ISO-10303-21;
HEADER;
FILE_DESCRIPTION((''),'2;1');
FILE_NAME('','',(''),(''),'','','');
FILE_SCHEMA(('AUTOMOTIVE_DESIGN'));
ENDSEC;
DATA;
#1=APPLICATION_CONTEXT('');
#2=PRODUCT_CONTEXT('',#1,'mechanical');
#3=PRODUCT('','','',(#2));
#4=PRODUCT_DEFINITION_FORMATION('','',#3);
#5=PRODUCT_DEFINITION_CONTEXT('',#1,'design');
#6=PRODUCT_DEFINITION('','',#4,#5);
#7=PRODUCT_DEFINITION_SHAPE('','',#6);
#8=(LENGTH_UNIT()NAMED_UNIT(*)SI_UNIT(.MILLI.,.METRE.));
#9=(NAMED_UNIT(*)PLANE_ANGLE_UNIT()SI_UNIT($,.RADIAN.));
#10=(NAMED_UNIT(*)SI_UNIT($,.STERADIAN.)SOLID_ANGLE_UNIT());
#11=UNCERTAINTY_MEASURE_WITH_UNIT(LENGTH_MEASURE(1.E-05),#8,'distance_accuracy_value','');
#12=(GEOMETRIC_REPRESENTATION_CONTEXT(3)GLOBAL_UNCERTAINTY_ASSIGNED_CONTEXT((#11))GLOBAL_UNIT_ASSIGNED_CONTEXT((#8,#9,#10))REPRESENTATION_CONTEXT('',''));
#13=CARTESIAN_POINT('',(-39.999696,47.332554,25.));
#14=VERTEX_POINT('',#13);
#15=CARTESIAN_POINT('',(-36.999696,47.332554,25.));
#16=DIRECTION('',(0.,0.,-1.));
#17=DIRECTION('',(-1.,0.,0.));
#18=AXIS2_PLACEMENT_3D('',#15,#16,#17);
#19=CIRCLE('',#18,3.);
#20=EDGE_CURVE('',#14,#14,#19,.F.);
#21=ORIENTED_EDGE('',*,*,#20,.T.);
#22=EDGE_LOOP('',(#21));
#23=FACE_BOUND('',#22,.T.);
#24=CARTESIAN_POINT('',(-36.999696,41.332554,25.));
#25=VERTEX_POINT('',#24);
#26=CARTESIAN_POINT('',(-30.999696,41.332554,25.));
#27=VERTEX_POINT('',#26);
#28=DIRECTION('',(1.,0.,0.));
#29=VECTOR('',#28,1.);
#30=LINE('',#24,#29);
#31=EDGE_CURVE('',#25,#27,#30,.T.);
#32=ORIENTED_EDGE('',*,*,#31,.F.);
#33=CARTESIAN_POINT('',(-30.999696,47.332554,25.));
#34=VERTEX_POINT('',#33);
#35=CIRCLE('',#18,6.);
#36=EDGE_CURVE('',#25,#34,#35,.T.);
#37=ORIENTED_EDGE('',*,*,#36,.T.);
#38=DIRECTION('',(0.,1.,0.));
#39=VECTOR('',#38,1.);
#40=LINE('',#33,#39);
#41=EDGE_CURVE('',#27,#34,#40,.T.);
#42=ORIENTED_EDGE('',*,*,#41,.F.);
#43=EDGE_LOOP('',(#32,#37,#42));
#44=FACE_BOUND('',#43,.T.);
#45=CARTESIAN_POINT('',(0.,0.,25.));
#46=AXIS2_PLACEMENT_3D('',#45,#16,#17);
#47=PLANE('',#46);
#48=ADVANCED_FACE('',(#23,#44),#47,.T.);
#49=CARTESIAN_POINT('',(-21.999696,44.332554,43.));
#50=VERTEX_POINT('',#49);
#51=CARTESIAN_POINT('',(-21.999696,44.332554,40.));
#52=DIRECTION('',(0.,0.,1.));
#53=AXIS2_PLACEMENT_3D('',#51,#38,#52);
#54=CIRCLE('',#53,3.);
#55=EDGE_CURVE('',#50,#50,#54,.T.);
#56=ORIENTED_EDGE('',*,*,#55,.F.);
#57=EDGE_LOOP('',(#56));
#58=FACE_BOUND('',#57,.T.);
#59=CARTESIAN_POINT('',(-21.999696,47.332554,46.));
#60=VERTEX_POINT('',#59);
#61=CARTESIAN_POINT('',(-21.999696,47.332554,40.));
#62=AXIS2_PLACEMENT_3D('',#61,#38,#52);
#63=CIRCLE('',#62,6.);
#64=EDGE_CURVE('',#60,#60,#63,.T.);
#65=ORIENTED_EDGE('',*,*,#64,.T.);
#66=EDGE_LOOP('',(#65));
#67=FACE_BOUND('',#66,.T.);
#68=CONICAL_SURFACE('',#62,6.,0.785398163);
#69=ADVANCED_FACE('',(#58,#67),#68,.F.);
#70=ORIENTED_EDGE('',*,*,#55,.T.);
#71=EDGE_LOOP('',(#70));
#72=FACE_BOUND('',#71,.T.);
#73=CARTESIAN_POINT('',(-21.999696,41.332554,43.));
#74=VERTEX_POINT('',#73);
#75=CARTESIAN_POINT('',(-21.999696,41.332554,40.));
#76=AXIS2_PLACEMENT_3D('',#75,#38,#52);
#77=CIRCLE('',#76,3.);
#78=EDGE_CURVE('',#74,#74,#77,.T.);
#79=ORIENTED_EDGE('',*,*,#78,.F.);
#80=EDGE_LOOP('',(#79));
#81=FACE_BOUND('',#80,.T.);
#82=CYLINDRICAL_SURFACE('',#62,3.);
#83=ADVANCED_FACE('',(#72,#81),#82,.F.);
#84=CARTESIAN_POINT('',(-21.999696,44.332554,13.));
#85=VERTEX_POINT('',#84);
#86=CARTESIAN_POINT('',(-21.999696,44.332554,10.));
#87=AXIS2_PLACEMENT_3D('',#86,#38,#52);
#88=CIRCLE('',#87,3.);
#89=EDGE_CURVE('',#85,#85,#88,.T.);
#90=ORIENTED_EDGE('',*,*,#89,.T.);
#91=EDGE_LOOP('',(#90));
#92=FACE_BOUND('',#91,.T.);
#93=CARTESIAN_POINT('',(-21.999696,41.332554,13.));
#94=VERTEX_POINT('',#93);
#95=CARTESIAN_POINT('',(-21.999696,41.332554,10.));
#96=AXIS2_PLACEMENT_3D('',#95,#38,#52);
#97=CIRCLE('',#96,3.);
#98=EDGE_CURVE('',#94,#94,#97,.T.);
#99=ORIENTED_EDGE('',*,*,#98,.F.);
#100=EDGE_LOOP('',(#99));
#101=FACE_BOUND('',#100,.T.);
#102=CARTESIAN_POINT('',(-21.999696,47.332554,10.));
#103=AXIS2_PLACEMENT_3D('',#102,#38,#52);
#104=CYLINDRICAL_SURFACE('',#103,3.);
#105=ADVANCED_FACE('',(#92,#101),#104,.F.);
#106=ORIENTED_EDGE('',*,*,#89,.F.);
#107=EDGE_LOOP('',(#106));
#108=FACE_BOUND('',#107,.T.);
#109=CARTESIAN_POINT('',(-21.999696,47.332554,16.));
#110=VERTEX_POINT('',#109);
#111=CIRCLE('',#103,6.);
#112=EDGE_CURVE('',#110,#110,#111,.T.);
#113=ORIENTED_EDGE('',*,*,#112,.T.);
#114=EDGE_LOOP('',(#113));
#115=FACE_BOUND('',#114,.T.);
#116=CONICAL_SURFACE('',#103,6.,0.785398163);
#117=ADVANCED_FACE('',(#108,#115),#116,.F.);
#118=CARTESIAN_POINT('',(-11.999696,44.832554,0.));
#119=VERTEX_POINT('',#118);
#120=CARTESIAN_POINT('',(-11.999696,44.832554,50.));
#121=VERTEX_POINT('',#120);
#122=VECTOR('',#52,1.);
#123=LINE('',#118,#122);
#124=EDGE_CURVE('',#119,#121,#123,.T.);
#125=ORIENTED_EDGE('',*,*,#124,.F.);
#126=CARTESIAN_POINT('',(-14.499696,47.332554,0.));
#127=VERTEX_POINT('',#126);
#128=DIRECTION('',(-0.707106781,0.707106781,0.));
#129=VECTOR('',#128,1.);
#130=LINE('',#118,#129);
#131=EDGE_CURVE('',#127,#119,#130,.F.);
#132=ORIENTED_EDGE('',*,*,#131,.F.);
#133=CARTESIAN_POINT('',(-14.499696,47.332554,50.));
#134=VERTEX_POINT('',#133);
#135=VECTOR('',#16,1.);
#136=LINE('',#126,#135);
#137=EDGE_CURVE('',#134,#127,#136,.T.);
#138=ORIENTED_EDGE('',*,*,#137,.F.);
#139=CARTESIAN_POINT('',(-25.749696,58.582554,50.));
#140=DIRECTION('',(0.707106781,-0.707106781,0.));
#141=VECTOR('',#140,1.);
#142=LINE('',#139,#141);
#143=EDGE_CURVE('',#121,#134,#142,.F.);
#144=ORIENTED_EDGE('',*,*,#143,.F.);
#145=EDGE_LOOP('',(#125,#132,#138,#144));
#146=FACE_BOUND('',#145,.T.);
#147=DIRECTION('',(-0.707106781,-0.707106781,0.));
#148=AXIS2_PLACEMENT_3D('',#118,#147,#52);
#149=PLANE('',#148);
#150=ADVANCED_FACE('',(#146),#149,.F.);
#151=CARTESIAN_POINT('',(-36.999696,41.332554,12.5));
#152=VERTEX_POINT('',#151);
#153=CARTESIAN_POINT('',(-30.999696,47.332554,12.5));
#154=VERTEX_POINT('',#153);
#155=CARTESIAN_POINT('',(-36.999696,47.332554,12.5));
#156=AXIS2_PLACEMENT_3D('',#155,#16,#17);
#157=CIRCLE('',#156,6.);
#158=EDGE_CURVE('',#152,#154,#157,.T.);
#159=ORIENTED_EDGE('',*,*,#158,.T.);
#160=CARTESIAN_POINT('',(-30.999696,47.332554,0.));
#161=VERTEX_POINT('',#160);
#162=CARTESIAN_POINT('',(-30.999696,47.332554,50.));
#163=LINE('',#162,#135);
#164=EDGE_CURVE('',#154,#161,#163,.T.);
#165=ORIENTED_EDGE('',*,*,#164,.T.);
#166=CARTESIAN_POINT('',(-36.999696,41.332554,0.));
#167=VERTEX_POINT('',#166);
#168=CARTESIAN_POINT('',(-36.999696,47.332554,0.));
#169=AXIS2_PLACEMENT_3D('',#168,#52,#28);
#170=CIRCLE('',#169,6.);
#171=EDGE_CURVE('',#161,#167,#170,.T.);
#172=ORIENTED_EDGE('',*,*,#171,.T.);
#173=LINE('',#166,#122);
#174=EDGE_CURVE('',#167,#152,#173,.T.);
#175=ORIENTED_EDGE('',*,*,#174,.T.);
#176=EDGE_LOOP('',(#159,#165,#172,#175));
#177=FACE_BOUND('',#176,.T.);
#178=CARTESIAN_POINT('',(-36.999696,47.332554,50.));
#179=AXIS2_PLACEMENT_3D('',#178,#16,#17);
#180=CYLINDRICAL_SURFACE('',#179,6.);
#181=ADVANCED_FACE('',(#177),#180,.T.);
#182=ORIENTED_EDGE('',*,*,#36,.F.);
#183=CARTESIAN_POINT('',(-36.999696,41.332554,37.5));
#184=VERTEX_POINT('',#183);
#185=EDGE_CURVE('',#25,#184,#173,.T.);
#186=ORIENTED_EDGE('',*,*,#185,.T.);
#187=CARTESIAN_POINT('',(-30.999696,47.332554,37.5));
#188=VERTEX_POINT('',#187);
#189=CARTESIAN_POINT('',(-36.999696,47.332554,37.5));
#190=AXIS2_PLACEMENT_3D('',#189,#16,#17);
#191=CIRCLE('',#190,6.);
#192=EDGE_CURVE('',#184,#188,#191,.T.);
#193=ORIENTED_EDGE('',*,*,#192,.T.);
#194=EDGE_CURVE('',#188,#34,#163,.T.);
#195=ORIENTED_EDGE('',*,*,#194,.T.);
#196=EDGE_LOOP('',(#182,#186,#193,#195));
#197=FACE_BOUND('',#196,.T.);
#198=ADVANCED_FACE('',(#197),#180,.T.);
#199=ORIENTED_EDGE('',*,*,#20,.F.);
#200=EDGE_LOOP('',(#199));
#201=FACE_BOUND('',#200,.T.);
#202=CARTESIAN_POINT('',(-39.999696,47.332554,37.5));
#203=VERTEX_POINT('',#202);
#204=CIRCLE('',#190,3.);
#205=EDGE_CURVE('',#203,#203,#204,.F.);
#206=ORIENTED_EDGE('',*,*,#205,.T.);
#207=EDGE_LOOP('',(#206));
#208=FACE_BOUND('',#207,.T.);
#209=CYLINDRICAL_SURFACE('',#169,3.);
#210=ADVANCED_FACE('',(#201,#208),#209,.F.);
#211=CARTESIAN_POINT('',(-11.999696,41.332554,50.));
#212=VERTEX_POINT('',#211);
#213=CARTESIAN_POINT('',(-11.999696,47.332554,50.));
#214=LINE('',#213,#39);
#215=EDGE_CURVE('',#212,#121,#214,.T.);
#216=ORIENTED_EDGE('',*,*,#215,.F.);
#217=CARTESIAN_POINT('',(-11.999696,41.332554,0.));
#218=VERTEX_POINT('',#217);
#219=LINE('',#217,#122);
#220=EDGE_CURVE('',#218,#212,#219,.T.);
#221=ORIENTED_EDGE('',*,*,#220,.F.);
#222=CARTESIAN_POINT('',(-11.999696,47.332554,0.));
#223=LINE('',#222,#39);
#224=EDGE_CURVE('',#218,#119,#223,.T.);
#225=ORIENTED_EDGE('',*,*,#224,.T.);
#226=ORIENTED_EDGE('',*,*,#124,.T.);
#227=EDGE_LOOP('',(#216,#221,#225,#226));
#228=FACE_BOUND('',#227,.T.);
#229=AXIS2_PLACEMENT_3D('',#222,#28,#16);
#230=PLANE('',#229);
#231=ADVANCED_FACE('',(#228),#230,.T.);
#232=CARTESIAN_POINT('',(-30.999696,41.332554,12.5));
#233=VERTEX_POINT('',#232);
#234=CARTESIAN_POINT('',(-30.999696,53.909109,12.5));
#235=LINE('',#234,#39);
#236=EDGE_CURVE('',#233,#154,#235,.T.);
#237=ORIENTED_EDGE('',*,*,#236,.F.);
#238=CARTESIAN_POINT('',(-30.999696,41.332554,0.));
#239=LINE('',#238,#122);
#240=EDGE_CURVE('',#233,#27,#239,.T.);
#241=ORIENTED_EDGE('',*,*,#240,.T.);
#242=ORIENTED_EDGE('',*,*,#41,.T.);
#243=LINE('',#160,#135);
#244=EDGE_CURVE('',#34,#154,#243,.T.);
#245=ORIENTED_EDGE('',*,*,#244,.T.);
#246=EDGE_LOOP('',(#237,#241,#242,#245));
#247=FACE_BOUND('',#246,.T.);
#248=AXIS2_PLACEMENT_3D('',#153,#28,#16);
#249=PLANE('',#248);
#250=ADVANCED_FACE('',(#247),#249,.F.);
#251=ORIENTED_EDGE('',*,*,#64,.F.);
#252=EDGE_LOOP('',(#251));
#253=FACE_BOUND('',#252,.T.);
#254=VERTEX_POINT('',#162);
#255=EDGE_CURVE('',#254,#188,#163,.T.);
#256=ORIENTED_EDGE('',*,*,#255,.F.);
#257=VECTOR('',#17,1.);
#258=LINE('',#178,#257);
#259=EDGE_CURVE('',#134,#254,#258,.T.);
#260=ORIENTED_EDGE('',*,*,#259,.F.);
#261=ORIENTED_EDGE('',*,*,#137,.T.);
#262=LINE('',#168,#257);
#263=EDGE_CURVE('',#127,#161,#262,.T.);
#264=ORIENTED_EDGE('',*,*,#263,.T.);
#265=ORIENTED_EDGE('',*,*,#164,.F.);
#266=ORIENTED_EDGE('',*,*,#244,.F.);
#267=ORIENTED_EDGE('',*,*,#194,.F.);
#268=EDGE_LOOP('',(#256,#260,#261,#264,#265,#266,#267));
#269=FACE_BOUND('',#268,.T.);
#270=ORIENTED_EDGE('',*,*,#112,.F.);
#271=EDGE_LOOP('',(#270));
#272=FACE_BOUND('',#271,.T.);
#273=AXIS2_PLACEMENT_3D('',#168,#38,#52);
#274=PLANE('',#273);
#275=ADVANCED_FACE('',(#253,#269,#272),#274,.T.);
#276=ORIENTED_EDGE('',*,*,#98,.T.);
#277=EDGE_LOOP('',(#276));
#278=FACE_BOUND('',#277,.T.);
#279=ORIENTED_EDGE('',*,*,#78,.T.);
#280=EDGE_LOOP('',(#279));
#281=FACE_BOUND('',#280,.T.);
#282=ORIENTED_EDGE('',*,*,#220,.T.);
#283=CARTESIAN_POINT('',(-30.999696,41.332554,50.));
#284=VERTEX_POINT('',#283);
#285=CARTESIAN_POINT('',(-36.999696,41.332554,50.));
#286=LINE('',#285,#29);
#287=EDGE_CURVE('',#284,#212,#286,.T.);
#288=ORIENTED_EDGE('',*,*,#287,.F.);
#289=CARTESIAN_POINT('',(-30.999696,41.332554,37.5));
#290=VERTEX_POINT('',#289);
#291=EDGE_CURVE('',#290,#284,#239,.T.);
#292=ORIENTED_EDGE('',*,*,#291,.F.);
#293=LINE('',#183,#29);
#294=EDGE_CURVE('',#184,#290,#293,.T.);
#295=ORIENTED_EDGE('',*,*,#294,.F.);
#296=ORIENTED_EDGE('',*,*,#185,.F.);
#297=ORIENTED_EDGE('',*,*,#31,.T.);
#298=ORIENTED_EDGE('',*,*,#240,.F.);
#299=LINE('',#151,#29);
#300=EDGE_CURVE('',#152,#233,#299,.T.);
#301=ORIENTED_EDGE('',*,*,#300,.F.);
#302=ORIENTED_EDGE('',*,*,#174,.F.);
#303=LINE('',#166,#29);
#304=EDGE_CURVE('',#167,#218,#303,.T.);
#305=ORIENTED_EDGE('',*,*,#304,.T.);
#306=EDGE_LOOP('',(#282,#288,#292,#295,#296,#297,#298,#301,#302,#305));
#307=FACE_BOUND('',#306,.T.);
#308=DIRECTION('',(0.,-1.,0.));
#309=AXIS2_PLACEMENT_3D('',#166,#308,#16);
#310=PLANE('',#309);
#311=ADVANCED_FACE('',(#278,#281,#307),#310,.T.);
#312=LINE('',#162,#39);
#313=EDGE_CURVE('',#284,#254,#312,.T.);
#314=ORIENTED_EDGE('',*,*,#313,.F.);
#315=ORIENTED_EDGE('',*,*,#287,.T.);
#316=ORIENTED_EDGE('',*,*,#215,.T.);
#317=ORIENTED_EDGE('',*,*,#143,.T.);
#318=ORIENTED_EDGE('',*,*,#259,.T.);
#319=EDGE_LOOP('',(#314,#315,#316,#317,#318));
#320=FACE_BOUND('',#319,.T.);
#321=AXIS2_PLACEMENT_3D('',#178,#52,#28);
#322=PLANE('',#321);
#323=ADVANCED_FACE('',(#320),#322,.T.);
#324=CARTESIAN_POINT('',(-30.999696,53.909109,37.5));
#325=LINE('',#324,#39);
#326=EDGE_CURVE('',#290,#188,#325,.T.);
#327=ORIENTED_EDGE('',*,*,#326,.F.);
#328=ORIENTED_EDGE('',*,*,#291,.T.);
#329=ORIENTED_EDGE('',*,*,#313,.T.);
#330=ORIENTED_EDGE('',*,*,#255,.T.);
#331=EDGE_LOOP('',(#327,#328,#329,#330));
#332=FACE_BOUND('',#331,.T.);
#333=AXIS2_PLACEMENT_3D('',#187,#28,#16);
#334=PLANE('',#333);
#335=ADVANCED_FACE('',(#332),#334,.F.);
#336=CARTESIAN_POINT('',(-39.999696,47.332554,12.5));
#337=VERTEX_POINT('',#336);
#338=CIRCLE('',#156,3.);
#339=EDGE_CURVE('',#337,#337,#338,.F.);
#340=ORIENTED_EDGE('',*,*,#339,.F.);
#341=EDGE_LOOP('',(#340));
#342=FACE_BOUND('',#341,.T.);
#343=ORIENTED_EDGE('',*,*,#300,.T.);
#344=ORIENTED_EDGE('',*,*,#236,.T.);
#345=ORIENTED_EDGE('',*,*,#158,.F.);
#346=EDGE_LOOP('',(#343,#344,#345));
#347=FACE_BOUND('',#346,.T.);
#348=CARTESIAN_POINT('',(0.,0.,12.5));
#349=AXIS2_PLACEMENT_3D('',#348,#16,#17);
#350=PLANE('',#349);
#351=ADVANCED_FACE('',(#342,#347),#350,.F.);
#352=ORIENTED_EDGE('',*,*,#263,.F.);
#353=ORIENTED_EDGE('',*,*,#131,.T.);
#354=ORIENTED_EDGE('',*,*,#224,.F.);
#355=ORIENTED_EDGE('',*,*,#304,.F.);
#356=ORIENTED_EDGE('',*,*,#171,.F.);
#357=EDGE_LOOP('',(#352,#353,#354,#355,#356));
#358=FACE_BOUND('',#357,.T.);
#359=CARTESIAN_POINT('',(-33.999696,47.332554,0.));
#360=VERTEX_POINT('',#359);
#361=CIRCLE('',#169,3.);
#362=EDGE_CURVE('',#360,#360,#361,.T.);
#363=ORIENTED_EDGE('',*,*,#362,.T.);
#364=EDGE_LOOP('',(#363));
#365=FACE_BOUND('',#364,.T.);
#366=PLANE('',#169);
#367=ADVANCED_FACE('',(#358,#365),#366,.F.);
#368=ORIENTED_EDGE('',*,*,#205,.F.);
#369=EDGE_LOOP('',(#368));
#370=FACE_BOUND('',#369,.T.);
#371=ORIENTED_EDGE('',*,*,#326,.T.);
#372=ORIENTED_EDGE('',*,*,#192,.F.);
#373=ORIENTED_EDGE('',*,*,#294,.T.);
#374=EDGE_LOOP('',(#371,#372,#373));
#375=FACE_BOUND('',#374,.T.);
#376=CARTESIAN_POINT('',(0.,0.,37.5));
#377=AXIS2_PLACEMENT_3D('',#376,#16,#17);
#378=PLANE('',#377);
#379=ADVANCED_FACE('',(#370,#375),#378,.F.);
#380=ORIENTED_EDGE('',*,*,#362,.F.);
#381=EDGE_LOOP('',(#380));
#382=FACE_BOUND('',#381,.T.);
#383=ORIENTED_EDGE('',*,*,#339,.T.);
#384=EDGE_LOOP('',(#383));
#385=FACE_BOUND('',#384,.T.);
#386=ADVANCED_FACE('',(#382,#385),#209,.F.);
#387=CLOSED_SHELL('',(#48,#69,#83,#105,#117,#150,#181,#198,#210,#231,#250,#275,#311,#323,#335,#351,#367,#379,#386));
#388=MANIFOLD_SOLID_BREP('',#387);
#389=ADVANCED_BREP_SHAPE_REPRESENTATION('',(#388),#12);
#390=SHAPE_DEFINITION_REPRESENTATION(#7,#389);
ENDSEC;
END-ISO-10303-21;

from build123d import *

# Parameters (mm, degrees)
SKETCH_1_R                = 6
EXTRUDE_1_DEPTH           = 50
SKETCH_2_W                = 25
SKETCH_2_H                = 6
EXTRUDE_2_DEPTH           = 50
SKETCH_5_R                = 3
CUT_EXTRUDE_1_DEPTH       = 50
HOLE_WIZARD_1_D           = 6
HOLE_WIZARD_1_CSINK_D     = 12
HOLE_WIZARD_1_CSINK_ANGLE = 90
CUT_EXTRUDE_2_DEPTH       = 12.5
PATTERN_LINEAR_2_COUNT    = 2
PATTERN_LINEAR_2_PITCH    = 25
CHAMFER_1_SIZE            = 2.5


with BuildPart() as part:
    # 草图1 → 凸台-拉伸1 (new body)
    with BuildSketch(Plane.XY):
        with Locations((-36.999696345, 47.332553752)):
            Circle(SKETCH_1_R)
    extrude(amount=EXTRUDE_1_DEPTH)

    # 草图2 → 凸台-拉伸2 (add)
    with BuildSketch(Plane.XY.offset(50)):
        with Locations((-24.499696345, 44.332553752)):
            Rectangle(SKETCH_2_W, SKETCH_2_H)
    extrude(amount=-EXTRUDE_2_DEPTH)

    # 草图5 → 切除-拉伸1 (cut)
    with BuildSketch(Plane.XY.offset(50)):
        with Locations((-36.999696345, 47.332553752)):
            Circle(SKETCH_5_R)
    extrude(amount=-CUT_EXTRUDE_1_DEPTH, mode=Mode.SUBTRACT)

    # 打孔尺寸(%根据)内六角花形半沉头螺钉的类型1 (through all)
    with Locations(Plane(origin=(0, 47.332553752, 0), x_dir=(1, 0, 0), z_dir=(0, 1, 0))):
        with Locations((-21.999696345, -40), (-21.999696345, -10)):
            CounterSinkHole(HOLE_WIZARD_1_D / 2, HOLE_WIZARD_1_CSINK_D / 2, counter_sink_angle=HOLE_WIZARD_1_CSINK_ANGLE)

    # 草图9 → 切除-拉伸2 (cut)
    with BuildSketch(Plane.XY.offset(50)):
        Polygon((-30.999696345, 47.332553752), (-30.999696345, 35.818106439), (-46.000108994, 35.818106439), (-46.000108994, 53.909109131), (-30.999696345, 53.909109131), align=None)
    cut_extrude_2 = extrude(amount=-CUT_EXTRUDE_2_DEPTH, mode=Mode.SUBTRACT)

    # 阵列(线性)2: 切除-拉伸2 ×2
    with Locations(*[(0, 0, -i * PATTERN_LINEAR_2_PITCH) for i in range(1, PATTERN_LINEAR_2_COUNT)]):
        add(cut_extrude_2, mode=Mode.SUBTRACT)

    # 倒角1
    chamfer_1_edges = [part.edges().sort_by_distance(p)[0] for p in [
        (-11.999696345, 47.332553752, 25),
    ]]
    chamfer(chamfer_1_edges, length=CHAMFER_1_SIZE)


solid = part.part
